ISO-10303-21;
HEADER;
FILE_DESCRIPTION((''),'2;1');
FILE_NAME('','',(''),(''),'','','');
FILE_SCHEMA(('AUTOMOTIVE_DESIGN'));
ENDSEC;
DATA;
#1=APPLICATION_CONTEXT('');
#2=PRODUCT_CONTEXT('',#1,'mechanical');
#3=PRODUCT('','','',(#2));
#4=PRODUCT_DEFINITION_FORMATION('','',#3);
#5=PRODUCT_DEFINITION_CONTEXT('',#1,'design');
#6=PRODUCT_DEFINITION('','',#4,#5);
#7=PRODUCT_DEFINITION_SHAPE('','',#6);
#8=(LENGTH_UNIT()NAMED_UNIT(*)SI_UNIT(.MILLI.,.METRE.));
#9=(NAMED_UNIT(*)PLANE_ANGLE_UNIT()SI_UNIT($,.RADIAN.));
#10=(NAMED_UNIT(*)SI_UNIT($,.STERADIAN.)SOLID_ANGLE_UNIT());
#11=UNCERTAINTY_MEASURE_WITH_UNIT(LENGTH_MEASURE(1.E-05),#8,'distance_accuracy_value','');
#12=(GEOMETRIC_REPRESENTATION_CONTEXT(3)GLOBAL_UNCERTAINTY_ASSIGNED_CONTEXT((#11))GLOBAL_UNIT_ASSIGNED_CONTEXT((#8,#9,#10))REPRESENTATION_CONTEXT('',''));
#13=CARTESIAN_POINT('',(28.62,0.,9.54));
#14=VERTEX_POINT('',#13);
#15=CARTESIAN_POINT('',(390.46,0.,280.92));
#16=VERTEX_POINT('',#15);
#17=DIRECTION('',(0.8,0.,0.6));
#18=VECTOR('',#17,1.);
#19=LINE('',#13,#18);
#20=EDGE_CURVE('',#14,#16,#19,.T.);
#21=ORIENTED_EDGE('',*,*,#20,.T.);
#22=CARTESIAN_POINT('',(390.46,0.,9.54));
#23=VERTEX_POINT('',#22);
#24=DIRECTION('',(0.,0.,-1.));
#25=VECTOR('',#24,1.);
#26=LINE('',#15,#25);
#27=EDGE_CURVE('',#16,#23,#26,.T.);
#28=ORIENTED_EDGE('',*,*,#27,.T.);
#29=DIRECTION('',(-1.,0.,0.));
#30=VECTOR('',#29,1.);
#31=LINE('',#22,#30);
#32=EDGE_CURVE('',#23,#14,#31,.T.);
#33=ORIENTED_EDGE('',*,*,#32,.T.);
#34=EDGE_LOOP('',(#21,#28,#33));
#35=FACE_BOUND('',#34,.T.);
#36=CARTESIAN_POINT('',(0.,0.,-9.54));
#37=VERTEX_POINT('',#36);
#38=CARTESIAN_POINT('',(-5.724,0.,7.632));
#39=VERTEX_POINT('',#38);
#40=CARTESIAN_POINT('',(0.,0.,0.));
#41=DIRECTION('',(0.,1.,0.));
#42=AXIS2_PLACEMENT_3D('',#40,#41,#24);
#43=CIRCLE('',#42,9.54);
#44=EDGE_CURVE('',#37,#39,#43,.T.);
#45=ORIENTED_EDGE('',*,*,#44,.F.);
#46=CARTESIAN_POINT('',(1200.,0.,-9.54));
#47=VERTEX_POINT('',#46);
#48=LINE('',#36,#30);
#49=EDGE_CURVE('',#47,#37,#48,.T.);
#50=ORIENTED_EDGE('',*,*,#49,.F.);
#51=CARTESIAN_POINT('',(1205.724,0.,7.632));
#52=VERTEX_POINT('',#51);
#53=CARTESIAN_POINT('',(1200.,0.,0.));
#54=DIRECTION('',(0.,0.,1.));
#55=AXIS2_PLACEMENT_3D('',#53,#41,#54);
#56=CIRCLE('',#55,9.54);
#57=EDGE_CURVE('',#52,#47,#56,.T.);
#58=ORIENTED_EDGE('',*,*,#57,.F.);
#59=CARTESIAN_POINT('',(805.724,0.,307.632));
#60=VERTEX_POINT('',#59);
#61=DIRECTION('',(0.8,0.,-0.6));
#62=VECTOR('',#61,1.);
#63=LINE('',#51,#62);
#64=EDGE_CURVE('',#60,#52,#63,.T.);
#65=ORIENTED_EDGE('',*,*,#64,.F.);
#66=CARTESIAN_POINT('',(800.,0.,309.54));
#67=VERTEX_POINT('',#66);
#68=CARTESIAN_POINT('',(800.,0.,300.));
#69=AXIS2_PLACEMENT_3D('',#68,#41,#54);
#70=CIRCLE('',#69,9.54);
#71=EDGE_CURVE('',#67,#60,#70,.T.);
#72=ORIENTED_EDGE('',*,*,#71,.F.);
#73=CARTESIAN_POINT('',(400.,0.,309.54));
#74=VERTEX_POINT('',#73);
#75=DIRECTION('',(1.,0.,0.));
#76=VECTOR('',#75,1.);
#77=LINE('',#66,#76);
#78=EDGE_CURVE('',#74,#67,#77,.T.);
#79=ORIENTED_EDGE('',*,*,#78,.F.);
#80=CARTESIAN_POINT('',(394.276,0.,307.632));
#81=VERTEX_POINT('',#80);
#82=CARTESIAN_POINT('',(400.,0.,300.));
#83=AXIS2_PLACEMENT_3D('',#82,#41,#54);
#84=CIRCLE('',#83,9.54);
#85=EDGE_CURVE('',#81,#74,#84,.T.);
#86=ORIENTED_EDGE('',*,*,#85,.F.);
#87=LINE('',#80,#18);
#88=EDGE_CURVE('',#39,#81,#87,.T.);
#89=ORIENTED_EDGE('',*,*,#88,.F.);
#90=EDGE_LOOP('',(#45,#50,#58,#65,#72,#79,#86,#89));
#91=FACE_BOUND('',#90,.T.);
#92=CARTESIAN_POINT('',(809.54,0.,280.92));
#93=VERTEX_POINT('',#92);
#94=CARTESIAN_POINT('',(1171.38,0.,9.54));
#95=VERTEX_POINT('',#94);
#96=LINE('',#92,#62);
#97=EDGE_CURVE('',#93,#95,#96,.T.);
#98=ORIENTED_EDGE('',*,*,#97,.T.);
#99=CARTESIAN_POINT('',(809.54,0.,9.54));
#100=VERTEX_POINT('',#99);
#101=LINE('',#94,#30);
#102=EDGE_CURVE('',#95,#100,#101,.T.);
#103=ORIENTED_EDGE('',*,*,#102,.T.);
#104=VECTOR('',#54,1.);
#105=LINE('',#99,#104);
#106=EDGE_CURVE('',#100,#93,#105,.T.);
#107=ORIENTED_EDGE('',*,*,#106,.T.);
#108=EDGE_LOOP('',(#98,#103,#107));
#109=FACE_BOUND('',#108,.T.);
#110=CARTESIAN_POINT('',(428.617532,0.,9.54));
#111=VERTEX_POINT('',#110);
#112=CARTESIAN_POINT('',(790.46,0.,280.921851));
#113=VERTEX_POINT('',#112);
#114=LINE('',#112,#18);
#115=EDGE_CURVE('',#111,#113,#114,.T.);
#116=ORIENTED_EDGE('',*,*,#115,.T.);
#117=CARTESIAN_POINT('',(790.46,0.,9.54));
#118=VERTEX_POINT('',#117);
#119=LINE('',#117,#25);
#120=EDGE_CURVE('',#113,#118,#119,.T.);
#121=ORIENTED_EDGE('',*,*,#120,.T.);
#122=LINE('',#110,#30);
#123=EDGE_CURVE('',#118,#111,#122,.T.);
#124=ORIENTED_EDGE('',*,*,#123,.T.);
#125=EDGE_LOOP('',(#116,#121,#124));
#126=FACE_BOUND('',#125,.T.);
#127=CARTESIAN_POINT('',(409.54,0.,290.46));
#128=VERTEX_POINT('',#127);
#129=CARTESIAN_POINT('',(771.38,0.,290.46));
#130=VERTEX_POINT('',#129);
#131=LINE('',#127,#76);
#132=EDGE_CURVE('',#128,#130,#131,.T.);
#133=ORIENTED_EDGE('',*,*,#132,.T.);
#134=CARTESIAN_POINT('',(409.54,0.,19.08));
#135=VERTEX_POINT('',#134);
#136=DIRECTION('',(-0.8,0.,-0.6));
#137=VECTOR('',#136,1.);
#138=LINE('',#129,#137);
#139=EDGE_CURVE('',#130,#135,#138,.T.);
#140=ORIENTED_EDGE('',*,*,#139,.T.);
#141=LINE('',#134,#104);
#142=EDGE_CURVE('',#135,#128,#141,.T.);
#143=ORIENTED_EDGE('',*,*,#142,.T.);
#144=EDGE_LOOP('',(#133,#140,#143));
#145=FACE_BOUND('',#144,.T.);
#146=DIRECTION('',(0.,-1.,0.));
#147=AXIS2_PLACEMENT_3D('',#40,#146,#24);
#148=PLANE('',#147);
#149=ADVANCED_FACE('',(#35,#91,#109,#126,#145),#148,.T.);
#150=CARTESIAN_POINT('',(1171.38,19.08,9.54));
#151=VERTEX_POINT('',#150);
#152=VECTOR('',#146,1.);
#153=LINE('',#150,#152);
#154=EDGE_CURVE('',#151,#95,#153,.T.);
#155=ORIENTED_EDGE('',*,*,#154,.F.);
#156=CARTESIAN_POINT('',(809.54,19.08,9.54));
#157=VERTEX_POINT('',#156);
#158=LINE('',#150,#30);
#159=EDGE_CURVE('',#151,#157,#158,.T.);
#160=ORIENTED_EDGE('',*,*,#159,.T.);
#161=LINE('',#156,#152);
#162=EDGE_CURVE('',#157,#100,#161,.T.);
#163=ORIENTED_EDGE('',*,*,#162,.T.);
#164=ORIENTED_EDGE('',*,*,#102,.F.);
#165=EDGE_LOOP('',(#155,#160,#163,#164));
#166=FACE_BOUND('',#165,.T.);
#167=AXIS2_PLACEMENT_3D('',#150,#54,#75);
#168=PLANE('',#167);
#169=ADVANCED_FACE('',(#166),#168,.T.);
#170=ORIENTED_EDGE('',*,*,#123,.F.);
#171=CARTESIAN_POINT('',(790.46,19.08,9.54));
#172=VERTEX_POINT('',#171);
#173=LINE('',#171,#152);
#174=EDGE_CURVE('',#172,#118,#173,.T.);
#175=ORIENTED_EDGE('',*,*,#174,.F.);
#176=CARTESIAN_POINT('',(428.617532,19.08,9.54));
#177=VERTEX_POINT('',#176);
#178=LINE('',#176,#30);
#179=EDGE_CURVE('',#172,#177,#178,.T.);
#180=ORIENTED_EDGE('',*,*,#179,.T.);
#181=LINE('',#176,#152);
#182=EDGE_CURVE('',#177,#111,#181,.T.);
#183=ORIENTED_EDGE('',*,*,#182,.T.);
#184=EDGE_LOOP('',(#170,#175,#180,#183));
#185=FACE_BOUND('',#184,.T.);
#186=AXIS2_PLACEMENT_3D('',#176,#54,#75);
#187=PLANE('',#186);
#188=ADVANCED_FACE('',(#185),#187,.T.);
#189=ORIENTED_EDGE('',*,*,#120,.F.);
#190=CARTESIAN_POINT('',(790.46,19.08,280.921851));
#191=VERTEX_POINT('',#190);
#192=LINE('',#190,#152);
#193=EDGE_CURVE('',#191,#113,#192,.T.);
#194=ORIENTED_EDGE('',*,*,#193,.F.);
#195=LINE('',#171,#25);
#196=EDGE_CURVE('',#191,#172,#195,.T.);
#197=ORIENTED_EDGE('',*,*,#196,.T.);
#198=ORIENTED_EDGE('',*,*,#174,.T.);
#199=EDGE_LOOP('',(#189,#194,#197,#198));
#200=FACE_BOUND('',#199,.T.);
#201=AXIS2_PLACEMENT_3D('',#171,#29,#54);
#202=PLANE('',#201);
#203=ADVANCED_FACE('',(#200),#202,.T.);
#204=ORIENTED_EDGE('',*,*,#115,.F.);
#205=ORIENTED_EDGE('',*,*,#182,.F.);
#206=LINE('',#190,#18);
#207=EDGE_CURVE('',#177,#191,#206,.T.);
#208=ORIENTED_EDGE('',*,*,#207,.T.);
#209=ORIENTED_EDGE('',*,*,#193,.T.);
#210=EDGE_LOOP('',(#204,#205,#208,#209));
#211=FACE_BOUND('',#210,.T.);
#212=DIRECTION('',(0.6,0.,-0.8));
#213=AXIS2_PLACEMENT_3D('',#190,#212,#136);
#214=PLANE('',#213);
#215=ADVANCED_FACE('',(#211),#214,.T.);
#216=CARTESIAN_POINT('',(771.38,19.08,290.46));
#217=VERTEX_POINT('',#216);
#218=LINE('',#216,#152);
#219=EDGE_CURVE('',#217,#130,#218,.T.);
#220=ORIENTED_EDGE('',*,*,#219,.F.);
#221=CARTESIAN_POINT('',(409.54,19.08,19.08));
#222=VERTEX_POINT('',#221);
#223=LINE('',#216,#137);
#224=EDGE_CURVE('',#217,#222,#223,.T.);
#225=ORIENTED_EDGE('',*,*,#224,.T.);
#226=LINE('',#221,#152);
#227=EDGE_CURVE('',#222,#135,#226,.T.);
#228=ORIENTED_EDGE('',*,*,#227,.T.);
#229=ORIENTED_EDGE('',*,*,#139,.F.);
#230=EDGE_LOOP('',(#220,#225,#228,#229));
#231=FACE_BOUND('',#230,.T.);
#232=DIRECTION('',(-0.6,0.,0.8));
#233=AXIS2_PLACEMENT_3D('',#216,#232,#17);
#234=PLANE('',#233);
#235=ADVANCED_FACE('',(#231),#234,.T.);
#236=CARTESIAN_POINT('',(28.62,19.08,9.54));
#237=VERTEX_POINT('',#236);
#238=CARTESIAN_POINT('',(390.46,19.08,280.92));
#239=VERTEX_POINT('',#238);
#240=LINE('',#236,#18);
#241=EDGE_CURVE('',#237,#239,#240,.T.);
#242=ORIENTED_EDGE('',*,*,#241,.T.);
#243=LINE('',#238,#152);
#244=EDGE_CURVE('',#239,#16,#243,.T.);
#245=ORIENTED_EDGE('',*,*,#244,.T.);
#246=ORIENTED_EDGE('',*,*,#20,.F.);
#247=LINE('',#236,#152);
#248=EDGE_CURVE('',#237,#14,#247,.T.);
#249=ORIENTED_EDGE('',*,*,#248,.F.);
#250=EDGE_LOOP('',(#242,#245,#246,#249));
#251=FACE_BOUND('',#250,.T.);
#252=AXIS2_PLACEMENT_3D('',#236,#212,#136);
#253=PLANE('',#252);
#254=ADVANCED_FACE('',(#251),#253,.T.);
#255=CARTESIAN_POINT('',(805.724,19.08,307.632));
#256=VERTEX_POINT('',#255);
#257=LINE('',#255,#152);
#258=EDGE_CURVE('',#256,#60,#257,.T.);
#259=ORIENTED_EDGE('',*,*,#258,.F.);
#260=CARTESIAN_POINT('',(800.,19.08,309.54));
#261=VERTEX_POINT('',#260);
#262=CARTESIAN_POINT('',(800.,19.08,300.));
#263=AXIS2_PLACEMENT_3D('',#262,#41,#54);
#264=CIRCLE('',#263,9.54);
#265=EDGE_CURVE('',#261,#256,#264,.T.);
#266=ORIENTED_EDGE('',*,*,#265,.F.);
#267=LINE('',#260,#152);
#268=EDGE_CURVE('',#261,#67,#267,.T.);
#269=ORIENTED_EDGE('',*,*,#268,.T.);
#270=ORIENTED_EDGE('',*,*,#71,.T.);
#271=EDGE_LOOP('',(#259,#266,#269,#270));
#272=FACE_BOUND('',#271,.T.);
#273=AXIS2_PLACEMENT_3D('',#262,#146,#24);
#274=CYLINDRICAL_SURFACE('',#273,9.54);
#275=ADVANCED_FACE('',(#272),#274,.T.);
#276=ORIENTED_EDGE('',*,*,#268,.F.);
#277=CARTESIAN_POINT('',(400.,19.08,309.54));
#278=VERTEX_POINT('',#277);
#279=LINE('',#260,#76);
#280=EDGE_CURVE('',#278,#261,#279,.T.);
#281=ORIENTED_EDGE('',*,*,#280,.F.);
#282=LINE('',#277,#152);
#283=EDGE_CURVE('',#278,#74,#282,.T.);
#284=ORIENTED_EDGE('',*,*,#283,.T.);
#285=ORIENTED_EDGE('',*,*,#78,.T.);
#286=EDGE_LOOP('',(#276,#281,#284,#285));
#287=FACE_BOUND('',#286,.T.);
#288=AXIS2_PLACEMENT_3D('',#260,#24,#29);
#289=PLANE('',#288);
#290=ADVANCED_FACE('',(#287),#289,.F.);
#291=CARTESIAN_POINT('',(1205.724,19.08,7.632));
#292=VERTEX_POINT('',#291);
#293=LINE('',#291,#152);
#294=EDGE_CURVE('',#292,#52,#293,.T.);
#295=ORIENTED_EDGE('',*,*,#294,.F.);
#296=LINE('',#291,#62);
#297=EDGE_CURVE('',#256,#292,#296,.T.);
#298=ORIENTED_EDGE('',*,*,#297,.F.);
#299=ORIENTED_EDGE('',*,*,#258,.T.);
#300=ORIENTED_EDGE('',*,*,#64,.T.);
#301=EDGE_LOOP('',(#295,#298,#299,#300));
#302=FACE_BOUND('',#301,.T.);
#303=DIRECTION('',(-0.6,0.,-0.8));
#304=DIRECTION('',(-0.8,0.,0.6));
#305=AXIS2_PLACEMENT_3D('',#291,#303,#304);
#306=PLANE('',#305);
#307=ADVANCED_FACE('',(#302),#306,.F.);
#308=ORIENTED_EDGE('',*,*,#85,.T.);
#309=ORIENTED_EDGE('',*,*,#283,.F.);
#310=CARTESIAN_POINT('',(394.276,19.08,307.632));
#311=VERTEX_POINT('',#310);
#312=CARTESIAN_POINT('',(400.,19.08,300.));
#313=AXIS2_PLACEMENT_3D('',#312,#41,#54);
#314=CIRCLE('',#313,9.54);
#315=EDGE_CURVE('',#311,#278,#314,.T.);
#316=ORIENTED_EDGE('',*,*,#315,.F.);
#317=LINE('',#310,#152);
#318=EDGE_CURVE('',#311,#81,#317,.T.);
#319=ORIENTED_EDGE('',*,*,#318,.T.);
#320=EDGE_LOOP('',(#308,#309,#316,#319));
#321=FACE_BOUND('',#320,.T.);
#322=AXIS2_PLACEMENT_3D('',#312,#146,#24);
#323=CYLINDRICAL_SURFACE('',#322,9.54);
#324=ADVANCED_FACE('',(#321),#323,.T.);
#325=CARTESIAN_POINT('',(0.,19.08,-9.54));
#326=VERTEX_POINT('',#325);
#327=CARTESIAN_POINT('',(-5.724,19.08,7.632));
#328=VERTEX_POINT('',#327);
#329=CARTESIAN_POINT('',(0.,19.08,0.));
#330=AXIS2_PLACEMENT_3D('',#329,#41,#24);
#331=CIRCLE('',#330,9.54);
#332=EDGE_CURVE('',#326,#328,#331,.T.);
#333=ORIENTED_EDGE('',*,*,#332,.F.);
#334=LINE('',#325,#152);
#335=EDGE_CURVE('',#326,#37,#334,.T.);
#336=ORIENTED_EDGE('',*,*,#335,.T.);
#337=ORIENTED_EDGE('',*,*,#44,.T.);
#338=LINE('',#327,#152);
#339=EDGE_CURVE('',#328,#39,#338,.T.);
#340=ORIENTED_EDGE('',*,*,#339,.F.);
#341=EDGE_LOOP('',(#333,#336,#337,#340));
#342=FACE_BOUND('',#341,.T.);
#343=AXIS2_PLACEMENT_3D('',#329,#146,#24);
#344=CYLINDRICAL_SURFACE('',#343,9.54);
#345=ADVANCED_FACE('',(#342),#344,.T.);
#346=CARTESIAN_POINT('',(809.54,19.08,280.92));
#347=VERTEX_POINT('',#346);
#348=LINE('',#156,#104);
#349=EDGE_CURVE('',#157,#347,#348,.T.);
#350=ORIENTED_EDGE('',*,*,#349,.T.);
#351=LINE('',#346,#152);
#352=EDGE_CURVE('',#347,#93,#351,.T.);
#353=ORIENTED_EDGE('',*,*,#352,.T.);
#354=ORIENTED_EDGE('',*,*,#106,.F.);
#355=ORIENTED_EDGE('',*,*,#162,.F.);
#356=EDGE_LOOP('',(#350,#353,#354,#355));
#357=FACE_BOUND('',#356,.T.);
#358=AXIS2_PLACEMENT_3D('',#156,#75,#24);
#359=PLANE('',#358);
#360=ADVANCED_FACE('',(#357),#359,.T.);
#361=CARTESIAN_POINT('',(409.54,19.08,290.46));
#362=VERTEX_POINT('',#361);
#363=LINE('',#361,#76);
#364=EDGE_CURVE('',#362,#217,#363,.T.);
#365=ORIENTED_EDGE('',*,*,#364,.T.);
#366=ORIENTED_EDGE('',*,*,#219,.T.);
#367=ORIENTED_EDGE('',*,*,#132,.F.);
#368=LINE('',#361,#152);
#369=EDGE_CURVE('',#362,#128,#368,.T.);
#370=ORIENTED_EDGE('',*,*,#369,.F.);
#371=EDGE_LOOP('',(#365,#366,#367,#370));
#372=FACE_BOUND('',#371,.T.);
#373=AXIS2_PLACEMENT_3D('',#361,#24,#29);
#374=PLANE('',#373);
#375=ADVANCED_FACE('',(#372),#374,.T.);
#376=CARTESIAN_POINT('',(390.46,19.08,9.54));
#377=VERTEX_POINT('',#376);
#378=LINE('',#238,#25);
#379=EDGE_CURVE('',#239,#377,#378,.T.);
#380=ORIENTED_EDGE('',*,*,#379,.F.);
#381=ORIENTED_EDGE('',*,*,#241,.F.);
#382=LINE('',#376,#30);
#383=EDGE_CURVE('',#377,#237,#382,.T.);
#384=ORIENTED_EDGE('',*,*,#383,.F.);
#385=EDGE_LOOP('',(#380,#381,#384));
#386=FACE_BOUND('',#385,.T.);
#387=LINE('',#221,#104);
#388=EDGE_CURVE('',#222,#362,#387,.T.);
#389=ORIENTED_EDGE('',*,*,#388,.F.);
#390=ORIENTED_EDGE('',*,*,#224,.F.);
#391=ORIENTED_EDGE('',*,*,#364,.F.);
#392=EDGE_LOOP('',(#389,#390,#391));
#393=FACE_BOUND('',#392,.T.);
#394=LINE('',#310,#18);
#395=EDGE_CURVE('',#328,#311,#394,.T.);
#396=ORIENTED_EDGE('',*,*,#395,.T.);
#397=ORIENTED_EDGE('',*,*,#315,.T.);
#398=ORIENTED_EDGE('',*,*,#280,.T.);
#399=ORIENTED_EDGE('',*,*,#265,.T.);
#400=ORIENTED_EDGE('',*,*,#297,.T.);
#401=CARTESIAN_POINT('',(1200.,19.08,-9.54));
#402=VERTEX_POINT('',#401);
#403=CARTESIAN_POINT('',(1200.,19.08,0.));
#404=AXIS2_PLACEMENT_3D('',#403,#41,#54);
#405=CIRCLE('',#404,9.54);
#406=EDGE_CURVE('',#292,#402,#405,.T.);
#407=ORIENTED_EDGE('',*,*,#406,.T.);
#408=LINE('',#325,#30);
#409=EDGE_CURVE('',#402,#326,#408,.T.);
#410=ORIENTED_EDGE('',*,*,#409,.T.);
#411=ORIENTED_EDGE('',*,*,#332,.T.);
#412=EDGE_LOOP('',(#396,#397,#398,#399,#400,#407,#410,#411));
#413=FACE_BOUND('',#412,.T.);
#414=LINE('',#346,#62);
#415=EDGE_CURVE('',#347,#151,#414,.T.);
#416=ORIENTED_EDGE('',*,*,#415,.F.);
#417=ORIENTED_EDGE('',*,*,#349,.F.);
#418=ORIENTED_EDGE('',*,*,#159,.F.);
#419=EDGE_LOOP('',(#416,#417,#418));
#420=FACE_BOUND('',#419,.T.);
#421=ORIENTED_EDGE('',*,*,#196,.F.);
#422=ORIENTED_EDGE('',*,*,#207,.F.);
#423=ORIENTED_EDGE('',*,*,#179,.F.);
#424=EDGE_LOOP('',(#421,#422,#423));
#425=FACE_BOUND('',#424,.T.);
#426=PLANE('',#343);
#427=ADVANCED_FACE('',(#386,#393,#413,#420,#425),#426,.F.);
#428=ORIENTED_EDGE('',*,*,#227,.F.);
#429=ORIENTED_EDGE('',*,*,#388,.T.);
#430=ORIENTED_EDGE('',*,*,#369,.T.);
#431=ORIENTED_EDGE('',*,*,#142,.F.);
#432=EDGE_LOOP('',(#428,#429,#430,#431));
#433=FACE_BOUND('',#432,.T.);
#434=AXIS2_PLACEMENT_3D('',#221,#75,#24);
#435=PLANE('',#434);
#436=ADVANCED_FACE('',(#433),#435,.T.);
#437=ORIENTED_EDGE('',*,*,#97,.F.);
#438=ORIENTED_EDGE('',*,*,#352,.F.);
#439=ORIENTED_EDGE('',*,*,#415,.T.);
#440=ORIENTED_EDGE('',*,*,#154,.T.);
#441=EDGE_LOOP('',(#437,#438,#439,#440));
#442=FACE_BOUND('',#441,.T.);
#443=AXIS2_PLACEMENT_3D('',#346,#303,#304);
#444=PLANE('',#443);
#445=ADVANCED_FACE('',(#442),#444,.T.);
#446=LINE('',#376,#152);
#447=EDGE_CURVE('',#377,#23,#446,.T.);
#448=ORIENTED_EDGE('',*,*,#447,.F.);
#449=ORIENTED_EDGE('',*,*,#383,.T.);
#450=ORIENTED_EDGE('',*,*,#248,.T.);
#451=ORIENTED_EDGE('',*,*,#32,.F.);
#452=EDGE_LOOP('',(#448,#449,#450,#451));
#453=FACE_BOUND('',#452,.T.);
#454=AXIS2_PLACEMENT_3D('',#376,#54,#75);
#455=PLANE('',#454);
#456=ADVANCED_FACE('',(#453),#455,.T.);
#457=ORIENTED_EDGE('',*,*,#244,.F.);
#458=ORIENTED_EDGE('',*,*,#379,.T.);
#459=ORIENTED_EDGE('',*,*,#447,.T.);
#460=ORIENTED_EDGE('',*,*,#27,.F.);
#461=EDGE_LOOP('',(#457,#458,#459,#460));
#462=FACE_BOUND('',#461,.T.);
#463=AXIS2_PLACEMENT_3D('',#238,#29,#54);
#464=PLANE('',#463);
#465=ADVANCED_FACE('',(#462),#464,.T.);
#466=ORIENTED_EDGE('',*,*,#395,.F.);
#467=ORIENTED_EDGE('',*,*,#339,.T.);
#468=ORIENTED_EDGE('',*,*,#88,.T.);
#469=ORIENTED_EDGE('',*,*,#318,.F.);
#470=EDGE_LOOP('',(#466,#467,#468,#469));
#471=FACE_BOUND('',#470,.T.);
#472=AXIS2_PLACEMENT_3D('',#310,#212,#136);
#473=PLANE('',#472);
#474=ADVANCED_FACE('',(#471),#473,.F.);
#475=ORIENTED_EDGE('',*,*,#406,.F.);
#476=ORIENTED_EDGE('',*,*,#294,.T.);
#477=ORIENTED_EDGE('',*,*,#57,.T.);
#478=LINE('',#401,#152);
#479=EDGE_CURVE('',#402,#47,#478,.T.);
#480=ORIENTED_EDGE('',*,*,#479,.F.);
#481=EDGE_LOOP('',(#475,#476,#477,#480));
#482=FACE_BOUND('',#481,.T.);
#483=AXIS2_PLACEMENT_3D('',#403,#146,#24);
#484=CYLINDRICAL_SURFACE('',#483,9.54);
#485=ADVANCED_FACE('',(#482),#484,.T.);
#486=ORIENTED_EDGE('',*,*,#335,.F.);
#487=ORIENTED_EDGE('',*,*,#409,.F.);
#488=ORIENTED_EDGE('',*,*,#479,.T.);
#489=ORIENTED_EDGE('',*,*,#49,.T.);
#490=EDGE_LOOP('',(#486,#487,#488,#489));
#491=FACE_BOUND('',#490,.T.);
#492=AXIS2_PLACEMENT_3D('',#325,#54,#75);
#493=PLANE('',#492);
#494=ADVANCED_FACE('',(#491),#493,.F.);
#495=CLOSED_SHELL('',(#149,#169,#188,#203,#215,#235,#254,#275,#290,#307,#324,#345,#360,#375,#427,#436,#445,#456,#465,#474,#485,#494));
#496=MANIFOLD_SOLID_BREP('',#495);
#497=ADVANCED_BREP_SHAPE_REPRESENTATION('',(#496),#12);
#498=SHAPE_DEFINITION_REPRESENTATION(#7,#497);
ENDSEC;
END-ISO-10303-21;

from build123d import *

# Parameters (mm, degrees)
BOSS_EXTRUDE1_DEPTH = 19.08


with BuildPart() as part:
    # Sketch15 → Boss-Extrude1 (new body)
    with BuildSketch(Plane(origin=(0, 0, 0), x_dir=(1, 0, 0), z_dir=(0, 1, 0))):
        with BuildLine():
            Line((0, 9.54), (1200, 9.54))
            ThreePointArc((1200, 9.54), (1209.050438663, 3.016812888), (1205.724, -7.632))
            Line((1205.724, -7.632), (805.724, -307.632))
            ThreePointArc((805.724, -307.632), (803.016812888, -309.050438663), (800, -309.54))
            Line((800, -309.54), (400, -309.54))
            ThreePointArc((400, -309.54), (396.983187112, -309.050438663), (394.276, -307.632))
            Line((394.276, -307.632), (-5.724, -7.632))
            ThreePointArc((-5.724, -7.632), (-9.050438663, 3.016812888), (0, 9.54))
        make_face()
        Polygon((390.46, -280.92), (390.46, -9.54), (28.62, -9.54), align=None, mode=Mode.SUBTRACT)
        Polygon((409.54, -19.08), (409.54, -290.46), (771.38, -290.46), align=None, mode=Mode.SUBTRACT)
        Polygon((790.46, -280.921851045), (428.61753194, -9.54), (790.46, -9.54), align=None, mode=Mode.SUBTRACT)
        Polygon((809.54, -280.92), (1171.38, -9.54), (809.54, -9.54), align=None, mode=Mode.SUBTRACT)
    extrude(amount=BOSS_EXTRUDE1_DEPTH)


solid = part.part
